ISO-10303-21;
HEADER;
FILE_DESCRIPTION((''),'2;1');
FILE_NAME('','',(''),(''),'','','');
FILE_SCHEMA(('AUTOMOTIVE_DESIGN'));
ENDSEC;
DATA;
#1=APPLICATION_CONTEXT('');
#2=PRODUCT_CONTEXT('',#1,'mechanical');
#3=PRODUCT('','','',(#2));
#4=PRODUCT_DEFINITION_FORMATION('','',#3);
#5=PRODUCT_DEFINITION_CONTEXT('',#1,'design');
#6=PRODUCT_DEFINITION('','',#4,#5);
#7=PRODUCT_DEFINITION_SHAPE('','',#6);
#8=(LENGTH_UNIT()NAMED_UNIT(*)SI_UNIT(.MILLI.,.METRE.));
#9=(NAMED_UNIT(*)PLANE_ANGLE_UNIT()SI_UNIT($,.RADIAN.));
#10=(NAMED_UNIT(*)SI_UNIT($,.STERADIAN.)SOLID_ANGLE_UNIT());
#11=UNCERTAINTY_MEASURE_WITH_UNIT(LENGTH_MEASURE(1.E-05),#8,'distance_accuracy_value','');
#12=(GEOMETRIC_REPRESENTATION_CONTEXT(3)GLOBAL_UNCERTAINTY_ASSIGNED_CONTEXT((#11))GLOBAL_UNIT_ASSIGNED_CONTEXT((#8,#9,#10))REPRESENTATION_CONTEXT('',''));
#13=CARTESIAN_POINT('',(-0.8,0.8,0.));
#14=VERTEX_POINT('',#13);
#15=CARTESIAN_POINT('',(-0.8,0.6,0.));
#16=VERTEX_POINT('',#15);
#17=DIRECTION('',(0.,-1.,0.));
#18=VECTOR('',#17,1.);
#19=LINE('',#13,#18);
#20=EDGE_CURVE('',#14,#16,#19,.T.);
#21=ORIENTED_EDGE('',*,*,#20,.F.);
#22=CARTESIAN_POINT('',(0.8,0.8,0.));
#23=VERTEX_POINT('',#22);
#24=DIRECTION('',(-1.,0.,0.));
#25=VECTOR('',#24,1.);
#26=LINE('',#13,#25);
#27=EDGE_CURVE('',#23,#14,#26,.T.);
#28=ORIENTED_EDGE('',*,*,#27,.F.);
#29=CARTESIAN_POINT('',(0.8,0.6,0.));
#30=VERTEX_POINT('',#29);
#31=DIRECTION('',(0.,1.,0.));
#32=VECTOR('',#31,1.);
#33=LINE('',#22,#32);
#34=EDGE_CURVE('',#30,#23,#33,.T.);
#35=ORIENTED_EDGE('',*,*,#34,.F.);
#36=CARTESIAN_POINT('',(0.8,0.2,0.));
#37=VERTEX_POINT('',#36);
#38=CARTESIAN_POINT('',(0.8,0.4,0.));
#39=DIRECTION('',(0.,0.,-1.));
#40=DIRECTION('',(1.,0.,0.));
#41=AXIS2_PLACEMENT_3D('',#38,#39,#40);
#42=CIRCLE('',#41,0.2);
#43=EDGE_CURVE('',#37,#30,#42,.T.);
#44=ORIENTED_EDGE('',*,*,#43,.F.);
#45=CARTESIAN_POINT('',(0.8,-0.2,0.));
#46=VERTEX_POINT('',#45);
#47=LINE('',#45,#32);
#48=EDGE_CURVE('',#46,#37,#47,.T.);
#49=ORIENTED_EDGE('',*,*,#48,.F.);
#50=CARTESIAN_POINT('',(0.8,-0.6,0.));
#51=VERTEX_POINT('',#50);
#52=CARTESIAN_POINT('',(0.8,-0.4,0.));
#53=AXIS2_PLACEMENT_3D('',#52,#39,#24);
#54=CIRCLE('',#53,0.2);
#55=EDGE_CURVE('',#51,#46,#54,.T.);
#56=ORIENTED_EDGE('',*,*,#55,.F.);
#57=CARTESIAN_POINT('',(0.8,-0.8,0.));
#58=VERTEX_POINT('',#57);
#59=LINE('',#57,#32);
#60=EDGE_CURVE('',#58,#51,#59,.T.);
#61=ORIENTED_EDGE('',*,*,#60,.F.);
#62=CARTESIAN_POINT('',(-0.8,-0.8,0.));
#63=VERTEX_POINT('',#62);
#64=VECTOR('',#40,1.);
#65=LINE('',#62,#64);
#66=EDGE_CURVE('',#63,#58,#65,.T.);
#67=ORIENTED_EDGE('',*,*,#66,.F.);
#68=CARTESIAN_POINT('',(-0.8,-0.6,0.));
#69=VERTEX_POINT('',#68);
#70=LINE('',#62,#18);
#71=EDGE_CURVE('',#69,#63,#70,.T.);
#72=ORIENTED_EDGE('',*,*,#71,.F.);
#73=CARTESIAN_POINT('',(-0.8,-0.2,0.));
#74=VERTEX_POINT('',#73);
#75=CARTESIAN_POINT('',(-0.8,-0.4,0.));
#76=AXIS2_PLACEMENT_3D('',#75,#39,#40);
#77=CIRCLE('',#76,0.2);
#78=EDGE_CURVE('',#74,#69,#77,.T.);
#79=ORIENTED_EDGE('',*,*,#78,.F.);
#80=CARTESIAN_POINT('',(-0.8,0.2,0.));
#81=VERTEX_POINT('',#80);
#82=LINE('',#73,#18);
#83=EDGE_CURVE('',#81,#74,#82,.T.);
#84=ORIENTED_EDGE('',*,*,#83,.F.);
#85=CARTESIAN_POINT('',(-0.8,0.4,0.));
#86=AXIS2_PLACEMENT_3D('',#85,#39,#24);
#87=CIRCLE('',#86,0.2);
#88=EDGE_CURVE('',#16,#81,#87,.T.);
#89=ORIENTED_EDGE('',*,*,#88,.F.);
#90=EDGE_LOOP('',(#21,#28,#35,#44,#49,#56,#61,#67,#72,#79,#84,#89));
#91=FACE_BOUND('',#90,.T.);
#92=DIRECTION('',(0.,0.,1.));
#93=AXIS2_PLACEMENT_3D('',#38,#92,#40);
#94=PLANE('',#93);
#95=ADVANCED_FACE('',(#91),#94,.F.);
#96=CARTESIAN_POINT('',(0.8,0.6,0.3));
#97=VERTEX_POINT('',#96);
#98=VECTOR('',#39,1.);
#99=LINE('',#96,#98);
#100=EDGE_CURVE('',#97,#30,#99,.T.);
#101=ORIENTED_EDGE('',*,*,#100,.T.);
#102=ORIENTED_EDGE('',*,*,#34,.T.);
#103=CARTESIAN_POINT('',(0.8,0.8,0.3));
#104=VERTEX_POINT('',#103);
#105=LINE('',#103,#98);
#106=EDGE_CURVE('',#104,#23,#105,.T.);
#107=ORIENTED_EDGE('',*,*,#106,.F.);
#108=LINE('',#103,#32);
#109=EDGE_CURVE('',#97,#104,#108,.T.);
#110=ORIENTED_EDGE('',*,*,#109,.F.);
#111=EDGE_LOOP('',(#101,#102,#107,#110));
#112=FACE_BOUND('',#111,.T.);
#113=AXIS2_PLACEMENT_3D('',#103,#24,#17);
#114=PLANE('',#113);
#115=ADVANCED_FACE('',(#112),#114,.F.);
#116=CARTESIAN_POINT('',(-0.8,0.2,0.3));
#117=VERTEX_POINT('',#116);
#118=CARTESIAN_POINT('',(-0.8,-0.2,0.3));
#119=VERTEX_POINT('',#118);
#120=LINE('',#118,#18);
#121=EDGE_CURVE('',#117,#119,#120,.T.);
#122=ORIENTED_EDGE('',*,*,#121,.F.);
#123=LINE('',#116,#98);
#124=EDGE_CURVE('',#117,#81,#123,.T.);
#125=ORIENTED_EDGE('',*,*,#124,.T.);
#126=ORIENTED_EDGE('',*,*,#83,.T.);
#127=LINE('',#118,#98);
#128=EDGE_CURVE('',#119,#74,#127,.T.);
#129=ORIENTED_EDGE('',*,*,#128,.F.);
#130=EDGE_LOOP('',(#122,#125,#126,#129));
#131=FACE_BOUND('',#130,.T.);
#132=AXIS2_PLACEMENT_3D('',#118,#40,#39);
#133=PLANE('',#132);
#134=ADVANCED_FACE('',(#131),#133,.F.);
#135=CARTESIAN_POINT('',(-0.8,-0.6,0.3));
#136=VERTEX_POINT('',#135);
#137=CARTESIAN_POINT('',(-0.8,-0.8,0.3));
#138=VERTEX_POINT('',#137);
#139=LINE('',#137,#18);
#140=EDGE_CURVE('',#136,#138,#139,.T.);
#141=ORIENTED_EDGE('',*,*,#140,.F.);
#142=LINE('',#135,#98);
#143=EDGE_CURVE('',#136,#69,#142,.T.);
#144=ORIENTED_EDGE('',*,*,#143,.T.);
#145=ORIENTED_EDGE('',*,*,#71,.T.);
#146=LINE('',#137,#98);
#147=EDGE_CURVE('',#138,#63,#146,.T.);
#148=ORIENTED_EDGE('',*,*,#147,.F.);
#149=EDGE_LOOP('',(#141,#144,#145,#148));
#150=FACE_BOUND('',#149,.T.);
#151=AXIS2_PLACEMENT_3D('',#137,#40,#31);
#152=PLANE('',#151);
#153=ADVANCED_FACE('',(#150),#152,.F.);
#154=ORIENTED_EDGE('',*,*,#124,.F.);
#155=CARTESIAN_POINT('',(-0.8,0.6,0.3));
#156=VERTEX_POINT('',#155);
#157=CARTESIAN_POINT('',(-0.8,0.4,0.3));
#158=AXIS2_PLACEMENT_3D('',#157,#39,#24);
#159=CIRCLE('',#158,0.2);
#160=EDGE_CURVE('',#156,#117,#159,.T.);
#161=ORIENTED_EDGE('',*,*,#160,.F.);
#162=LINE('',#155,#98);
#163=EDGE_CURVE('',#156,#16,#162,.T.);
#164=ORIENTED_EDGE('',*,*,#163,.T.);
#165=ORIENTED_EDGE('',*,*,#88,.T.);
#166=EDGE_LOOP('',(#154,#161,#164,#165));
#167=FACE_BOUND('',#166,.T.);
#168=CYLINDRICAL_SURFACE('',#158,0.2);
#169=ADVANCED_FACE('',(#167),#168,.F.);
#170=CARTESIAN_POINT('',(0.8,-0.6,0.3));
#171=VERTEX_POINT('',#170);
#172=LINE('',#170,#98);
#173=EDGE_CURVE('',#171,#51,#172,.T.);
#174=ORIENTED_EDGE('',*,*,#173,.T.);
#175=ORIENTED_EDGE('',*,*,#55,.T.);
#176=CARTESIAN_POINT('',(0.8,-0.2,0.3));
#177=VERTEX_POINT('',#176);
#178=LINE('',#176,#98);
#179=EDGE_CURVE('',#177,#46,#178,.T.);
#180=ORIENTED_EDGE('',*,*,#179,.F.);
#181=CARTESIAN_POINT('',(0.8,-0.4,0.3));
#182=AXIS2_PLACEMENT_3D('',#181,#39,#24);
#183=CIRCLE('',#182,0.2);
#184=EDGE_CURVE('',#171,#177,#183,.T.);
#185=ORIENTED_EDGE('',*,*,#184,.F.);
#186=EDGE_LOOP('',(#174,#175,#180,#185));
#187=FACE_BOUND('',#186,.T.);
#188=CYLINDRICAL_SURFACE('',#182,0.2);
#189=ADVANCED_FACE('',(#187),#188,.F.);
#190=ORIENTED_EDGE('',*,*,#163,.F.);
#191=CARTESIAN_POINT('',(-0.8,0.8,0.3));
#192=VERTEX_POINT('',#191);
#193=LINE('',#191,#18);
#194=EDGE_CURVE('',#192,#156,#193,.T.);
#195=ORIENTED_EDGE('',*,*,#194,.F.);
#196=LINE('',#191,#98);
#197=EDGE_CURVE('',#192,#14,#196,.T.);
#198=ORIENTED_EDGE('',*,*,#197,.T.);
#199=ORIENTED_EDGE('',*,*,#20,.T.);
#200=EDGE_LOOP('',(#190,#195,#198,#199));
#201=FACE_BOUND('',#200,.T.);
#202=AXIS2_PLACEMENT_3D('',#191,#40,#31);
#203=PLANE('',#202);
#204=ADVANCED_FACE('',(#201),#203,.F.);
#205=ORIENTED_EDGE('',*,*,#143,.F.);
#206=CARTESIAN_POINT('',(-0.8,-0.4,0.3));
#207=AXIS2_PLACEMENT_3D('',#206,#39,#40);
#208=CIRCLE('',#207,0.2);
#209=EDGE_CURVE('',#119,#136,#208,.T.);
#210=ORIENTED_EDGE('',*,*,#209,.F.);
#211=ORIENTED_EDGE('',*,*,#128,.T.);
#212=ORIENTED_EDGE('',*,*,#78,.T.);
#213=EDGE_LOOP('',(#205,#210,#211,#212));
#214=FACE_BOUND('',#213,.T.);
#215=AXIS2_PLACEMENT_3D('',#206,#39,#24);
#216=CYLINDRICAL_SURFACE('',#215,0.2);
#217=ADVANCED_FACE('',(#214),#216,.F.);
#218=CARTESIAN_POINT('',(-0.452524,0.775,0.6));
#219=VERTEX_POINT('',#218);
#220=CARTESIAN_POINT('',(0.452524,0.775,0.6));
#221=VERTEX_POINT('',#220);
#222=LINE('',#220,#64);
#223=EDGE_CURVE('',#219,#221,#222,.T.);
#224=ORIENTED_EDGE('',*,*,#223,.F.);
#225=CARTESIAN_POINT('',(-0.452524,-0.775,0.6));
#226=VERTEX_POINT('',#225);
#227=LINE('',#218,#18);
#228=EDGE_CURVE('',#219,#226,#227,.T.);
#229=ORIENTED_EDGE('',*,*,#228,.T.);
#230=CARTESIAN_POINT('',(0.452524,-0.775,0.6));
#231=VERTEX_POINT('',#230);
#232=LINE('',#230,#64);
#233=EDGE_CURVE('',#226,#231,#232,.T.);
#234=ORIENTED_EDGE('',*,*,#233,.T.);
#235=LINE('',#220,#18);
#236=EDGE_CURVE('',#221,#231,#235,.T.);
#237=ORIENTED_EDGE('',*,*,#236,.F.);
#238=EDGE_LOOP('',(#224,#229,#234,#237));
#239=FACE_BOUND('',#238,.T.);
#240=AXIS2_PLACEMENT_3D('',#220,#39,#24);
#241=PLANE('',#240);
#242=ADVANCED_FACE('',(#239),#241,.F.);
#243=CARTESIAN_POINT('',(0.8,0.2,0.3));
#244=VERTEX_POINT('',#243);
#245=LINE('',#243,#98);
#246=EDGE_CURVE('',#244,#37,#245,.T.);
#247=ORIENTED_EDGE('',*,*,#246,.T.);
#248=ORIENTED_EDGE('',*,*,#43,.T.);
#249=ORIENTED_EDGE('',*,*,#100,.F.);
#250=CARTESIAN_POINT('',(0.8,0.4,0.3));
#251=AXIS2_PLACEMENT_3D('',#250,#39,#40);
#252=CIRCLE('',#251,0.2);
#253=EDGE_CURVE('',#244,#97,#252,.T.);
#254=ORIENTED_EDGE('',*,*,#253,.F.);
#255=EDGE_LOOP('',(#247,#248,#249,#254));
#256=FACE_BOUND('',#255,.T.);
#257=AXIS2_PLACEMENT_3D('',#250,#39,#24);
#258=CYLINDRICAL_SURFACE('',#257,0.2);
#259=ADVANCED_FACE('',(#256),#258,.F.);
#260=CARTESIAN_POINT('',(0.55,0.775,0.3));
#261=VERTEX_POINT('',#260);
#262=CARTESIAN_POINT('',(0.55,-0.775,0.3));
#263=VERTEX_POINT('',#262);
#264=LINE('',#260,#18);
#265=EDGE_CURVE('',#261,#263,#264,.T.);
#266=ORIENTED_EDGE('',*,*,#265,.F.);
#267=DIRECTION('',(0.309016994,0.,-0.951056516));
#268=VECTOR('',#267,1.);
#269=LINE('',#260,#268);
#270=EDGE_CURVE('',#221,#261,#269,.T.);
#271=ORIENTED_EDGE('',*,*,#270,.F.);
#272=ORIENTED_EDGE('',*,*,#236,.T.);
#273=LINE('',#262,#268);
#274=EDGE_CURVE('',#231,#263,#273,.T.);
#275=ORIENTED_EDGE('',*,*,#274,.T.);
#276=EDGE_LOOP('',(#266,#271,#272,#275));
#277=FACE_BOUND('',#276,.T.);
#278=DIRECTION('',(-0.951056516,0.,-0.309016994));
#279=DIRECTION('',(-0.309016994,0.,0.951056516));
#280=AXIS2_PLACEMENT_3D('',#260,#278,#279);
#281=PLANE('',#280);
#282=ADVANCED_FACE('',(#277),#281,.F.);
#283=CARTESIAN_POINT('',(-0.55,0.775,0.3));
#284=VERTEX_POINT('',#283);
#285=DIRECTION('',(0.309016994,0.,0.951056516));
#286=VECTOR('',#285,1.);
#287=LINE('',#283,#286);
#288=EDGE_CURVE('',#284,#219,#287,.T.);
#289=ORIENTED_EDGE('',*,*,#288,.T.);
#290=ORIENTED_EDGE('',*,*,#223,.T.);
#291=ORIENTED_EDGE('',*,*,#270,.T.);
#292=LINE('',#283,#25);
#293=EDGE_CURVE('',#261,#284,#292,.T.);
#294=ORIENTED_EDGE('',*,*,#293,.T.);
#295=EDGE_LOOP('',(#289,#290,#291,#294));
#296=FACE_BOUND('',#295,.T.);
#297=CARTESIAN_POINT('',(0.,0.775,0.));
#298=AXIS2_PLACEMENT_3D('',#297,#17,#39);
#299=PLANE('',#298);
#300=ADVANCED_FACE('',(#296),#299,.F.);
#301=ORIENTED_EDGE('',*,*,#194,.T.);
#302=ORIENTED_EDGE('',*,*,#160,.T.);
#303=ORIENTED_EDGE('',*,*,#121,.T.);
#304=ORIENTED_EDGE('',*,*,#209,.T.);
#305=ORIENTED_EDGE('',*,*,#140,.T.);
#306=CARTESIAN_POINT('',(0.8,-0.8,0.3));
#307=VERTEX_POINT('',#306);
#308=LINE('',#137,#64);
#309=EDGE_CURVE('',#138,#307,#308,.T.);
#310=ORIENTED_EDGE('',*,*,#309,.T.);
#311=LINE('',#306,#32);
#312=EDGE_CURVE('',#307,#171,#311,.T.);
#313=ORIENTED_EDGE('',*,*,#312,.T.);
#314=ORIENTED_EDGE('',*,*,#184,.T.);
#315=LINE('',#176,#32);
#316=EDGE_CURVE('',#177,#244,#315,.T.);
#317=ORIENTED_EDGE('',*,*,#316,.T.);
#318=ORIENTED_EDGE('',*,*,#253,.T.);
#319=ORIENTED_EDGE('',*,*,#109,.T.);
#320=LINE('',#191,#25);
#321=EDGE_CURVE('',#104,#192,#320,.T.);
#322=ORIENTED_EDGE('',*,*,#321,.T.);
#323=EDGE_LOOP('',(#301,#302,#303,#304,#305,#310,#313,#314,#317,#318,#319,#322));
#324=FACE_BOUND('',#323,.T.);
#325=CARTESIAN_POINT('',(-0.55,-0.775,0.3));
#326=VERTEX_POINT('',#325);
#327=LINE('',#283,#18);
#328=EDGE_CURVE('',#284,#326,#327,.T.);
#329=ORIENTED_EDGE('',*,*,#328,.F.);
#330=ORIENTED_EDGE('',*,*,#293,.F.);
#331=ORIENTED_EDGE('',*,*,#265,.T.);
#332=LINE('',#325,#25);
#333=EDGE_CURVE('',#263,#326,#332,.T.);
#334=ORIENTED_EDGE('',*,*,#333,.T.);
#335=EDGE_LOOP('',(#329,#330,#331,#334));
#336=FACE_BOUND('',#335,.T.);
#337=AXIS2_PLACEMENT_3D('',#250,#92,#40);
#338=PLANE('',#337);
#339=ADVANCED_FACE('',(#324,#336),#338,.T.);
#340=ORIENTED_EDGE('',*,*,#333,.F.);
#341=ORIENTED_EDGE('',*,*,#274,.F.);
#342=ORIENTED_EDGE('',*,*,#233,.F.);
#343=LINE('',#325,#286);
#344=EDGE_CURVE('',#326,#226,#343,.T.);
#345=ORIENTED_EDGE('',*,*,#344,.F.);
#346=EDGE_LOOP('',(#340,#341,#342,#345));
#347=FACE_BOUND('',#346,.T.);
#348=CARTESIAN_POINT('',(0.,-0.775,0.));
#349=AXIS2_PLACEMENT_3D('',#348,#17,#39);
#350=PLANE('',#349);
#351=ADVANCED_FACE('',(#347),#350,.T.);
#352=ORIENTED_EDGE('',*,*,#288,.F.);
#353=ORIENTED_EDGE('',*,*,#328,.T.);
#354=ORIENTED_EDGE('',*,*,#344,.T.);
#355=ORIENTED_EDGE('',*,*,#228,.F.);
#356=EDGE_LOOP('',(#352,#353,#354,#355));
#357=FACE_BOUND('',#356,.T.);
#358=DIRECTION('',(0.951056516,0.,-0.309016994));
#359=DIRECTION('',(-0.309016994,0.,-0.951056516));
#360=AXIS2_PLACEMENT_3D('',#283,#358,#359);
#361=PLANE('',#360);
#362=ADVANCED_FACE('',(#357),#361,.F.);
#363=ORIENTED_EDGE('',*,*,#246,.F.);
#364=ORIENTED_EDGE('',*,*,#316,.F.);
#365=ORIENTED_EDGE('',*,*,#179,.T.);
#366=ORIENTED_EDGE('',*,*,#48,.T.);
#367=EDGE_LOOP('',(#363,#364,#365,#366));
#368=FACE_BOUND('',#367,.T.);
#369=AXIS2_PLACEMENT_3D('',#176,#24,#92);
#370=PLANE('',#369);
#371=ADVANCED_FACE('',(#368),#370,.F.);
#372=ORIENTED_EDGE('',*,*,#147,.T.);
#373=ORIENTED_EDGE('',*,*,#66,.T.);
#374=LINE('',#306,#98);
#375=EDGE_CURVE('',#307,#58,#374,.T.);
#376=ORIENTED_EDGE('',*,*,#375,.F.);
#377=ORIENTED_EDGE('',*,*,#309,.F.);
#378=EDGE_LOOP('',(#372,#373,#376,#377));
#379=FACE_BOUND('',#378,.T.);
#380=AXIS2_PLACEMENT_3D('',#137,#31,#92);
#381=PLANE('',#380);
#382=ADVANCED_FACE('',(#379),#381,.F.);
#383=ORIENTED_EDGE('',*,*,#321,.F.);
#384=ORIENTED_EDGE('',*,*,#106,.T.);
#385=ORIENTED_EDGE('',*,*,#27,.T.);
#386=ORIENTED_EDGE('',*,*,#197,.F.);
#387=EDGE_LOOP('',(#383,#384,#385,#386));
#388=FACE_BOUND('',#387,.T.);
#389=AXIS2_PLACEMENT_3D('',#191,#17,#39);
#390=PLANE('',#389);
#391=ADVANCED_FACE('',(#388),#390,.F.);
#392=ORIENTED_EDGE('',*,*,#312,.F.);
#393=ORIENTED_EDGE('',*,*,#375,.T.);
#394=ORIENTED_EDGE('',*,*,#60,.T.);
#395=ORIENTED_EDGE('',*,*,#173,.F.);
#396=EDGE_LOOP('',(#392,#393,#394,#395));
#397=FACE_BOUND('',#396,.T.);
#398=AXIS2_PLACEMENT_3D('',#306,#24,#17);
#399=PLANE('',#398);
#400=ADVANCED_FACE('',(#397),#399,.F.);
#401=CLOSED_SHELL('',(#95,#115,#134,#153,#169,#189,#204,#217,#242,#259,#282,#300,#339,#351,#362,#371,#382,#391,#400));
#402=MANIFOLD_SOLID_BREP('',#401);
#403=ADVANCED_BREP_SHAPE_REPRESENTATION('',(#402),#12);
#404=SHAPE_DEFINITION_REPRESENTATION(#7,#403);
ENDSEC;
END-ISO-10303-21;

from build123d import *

# Parameters (mm, degrees)
BOSS_EXTRUDE1_DEPTH = 0.3
BOSS_EXTRUDE2_DEPTH = 0.775


with BuildPart() as part:
    # Sketch2 → Boss-Extrude1 (new body)
    with BuildSketch(Plane.XY):
        with BuildLine():
            Line((-0.8, 0.8), (0.8, 0.8))
            Line((0.8, 0.8), (0.8, 0.6))
            ThreePointArc((0.8, 0.6), (0.6, 0.4), (0.8, 0.2))
            Line((0.8, 0.2), (0.8, -0.2))
            ThreePointArc((0.8, -0.2), (0.6, -0.4), (0.8, -0.6))
            Line((0.8, -0.6), (0.8, -0.8))
            Line((0.8, -0.8), (-0.8, -0.8))
            Line((-0.8, -0.8), (-0.8, -0.6))
            ThreePointArc((-0.8, -0.6), (-0.6, -0.4), (-0.8, -0.2))
            Line((-0.8, -0.2), (-0.8, 0.2))
            ThreePointArc((-0.8, 0.2), (-0.6, 0.4), (-0.8, 0.6))
            Line((-0.8, 0.6), (-0.8, 0.8))
        make_face()
    extrude(amount=BOSS_EXTRUDE1_DEPTH)

    # Sketch3 → Boss-Extrude2 (add, symmetric)
    with BuildSketch(Plane(origin=(0, 0, 0), x_dir=(1, 0, 0), z_dir=(0, 1, 0))):
        Polygon((0.55, -0.3), (0.452524091, -0.6), (-0.452524091, -0.6), (-0.55, -0.3), align=None)
    extrude(amount=BOSS_EXTRUDE2_DEPTH, both=True)


solid = part.part
